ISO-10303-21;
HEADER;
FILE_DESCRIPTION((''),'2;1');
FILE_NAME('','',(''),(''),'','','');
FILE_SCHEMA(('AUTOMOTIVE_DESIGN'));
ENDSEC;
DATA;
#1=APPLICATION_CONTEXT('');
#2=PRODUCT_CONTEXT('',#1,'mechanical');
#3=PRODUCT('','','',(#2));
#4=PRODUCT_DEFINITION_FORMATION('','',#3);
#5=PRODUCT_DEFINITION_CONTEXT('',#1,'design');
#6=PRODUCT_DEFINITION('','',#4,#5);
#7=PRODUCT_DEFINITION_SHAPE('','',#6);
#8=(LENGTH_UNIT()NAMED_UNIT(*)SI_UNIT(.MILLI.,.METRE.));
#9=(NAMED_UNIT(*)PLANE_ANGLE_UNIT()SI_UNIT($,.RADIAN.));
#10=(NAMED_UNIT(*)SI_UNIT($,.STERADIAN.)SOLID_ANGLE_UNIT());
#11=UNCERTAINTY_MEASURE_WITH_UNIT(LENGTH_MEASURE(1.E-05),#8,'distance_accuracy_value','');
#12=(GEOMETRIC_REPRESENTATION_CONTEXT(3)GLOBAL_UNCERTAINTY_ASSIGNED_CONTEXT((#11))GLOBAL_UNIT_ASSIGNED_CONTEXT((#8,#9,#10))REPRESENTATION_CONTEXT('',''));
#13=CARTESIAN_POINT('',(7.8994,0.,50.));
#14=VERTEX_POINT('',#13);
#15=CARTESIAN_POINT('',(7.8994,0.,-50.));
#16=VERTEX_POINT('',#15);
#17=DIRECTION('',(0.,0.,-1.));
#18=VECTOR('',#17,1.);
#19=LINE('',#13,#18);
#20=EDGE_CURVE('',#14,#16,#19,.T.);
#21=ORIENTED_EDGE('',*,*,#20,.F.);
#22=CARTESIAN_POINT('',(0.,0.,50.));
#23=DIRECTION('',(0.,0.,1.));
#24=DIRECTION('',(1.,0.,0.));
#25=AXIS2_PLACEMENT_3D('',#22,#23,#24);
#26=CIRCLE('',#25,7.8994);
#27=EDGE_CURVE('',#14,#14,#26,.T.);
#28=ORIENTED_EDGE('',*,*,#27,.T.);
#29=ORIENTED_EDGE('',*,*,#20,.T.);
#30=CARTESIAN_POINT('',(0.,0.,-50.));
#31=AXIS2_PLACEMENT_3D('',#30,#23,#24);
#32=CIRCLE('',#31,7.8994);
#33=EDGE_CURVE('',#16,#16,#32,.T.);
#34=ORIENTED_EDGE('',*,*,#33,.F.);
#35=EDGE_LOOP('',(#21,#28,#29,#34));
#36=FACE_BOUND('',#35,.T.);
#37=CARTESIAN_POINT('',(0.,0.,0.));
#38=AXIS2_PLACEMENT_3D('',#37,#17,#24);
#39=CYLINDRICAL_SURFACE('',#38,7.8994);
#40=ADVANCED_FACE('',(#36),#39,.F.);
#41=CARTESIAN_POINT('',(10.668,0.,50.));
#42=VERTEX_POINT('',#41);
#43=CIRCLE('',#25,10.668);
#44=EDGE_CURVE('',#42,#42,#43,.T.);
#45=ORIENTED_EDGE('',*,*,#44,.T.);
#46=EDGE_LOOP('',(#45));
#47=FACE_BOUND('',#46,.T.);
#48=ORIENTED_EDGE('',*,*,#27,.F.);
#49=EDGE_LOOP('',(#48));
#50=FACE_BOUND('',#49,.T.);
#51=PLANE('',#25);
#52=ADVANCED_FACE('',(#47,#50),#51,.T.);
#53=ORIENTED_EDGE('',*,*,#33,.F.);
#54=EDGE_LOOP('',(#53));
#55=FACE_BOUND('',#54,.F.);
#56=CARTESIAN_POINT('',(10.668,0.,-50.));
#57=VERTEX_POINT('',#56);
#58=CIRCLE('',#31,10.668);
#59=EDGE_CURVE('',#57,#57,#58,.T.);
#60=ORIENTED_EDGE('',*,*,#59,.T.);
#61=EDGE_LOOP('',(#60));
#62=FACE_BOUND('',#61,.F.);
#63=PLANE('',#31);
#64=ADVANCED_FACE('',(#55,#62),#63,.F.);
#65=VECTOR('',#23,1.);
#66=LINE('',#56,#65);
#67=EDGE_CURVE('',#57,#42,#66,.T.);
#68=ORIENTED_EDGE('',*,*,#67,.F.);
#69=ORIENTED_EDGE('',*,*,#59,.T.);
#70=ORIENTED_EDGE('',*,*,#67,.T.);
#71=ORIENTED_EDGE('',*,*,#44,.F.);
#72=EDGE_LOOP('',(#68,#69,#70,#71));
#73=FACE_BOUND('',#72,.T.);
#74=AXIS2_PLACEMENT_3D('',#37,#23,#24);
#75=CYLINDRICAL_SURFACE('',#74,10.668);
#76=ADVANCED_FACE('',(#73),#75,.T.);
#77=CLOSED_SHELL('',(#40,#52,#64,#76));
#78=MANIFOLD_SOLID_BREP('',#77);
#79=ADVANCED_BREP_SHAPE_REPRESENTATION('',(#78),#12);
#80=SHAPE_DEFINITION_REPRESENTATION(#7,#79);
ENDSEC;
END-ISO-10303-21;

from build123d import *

# Parameters (mm, degrees)
SKETCH1_R           = 10.668
SKETCH1_R_2         = 7.8994
EXTRUDE_THIN1_DEPTH = 50


with BuildPart() as part:
    # Sketch1 → Extrude-Thin1 (new body, symmetric)
    with BuildSketch(Plane.XY):
        Circle(SKETCH1_R)
        Circle(SKETCH1_R_2, mode=Mode.SUBTRACT)
    extrude(amount=EXTRUDE_THIN1_DEPTH, both=True)


solid = part.part
